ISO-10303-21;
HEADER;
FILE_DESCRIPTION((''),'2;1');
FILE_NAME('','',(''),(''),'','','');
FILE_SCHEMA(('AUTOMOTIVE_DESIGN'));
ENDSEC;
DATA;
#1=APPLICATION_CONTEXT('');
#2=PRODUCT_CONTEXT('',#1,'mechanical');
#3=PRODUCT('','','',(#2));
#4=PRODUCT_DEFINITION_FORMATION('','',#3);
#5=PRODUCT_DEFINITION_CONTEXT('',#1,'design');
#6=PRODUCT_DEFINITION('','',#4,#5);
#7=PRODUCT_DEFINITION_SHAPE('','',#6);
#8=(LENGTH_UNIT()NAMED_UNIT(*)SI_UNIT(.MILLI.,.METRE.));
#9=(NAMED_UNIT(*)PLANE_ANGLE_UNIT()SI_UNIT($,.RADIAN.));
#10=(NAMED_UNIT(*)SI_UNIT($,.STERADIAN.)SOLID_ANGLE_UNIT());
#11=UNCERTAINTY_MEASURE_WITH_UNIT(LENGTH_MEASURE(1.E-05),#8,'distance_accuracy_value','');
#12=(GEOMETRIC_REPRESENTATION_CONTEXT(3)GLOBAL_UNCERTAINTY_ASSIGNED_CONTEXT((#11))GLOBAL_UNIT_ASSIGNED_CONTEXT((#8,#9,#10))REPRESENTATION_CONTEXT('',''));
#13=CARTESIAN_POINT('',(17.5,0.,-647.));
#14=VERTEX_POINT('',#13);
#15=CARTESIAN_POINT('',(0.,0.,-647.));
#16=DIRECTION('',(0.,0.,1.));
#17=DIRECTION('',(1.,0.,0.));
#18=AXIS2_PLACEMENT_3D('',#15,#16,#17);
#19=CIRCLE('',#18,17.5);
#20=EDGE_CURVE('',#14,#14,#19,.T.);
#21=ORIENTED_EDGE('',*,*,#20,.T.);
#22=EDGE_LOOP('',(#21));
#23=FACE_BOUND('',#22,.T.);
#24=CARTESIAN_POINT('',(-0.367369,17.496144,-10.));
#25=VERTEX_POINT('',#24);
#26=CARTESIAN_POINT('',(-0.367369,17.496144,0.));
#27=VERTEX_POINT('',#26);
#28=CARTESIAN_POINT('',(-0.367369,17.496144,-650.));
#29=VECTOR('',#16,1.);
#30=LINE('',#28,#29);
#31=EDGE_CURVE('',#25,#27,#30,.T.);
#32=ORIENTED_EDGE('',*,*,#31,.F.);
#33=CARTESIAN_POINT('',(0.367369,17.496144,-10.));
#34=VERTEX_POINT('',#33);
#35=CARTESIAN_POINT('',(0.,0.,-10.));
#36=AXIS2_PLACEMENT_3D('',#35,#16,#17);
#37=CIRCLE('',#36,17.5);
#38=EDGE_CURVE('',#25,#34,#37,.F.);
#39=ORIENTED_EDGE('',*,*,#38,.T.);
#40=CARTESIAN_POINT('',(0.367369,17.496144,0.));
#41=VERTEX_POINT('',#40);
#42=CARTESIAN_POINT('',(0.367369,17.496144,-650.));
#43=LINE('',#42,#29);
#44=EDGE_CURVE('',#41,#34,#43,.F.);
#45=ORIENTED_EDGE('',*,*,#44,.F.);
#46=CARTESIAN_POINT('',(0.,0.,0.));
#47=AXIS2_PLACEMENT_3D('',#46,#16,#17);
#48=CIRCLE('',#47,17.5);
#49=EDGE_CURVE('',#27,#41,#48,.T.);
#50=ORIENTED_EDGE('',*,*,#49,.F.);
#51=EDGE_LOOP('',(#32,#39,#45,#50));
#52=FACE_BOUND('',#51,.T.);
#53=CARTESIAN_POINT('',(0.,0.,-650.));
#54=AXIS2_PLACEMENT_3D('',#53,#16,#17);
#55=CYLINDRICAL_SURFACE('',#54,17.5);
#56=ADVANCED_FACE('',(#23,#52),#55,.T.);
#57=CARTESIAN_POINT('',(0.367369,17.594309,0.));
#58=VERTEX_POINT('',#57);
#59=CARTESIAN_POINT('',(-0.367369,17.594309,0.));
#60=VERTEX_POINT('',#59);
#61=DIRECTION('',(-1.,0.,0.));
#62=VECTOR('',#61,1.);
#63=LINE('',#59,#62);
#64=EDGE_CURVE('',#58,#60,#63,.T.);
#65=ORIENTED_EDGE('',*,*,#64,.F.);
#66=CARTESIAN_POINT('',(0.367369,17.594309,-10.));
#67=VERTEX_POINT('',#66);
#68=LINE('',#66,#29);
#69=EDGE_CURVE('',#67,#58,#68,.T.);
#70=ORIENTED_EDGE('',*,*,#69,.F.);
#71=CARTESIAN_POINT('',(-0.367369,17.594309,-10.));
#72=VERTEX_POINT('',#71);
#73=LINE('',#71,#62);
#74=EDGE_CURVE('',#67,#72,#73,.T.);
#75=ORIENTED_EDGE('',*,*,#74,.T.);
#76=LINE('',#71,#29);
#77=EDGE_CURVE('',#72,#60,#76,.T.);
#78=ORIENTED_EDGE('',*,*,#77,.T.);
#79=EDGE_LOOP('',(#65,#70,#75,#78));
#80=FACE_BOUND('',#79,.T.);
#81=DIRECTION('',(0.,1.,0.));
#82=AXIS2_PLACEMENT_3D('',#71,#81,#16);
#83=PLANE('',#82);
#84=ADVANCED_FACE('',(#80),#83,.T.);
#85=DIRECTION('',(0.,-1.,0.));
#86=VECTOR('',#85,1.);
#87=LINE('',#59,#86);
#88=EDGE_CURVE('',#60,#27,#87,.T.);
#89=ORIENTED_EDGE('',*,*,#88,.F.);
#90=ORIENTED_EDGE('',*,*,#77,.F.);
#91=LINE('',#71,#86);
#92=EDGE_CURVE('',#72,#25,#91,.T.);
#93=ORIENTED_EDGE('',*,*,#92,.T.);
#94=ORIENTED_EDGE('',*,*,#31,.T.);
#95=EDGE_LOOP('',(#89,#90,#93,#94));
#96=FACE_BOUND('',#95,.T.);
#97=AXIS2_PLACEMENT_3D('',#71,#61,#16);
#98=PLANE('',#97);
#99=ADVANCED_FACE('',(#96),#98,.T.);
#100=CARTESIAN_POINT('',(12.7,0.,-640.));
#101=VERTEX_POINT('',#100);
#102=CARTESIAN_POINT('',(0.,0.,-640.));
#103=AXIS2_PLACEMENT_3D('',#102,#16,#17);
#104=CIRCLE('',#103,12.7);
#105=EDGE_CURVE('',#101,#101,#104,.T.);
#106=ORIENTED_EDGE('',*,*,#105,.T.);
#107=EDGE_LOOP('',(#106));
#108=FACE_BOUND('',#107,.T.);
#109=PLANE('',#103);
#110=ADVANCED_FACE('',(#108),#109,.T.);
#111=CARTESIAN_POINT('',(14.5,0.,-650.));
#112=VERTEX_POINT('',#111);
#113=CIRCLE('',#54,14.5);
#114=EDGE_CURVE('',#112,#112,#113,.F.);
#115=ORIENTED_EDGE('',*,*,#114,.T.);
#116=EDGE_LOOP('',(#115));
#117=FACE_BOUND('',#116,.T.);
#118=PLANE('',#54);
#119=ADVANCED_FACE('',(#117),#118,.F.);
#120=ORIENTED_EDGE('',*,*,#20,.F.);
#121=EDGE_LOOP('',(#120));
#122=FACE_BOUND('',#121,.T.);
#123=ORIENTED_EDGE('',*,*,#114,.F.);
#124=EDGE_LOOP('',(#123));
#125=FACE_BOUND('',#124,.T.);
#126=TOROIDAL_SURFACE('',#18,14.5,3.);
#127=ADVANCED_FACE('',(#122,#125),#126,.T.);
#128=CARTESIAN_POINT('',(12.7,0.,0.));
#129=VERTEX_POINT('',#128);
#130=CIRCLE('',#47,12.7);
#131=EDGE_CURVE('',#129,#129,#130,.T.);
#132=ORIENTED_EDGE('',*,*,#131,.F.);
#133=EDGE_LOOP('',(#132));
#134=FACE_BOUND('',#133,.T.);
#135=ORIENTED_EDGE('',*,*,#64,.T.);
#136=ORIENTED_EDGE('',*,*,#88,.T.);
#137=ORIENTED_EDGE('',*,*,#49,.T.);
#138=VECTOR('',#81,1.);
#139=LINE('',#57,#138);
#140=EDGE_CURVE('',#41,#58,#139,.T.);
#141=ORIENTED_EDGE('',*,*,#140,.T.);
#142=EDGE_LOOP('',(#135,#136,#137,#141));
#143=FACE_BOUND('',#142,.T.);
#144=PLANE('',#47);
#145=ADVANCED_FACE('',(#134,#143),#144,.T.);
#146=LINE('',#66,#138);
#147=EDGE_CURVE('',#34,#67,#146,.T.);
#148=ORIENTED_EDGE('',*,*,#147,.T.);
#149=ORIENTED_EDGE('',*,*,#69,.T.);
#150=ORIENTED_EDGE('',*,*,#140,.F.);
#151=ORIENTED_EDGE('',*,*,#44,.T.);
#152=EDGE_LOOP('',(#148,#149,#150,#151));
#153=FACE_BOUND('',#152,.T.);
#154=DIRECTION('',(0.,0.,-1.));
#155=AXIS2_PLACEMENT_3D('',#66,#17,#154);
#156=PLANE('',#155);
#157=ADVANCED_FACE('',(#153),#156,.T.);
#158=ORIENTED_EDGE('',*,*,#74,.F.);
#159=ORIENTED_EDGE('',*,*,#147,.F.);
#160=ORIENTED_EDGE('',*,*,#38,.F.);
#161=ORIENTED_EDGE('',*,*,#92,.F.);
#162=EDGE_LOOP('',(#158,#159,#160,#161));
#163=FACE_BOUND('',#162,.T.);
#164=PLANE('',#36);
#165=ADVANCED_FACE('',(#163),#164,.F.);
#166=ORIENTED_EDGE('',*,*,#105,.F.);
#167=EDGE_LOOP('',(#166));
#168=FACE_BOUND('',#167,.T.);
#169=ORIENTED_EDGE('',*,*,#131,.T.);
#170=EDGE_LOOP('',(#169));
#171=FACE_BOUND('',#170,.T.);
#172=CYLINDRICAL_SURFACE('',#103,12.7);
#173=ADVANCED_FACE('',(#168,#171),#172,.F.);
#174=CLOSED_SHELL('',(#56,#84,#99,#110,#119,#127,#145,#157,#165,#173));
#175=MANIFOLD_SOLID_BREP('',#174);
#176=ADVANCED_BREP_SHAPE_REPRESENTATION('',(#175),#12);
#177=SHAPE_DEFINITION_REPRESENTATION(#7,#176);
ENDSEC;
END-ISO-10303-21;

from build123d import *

# Parameters (mm, degrees)
CROQUIS2_R              = 17.5
SALIENTE_EXTRUIR1_DEPTH = 650
CROQUIS3_R              = 12.7
CORTAR_EXTRUIR1_DEPTH   = 640
REDONDEO1_R             = 3
CROQUIS4_W              = 0.7347375
CROQUIS4_H              = 0.188618068
SALIENTE_EXTRUIR2_DEPTH = 10


with BuildPart() as part:
    # Croquis2 → Saliente-Extruir1 (new body)
    with BuildSketch(Plane.XY):
        Circle(CROQUIS2_R)
    extrude(amount=-SALIENTE_EXTRUIR1_DEPTH)

    # Croquis3 → Cortar-Extruir1 (cut)
    with BuildSketch(Plane.XY):
        Circle(CROQUIS3_R)
    extrude(amount=-CORTAR_EXTRUIR1_DEPTH, mode=Mode.SUBTRACT)

    # Redondeo1
    redondeo1_edges = [part.edges().sort_by_distance(p)[0] for p in [
        (-17.5, 0, -650),
    ]]
    fillet(redondeo1_edges, radius=REDONDEO1_R)

    # Croquis4 → Saliente-Extruir2 (add)
    with BuildSketch(Plane.XY):
        with Locations((0, 17.5)):
            Rectangle(CROQUIS4_W, CROQUIS4_H)
    extrude(amount=-SALIENTE_EXTRUIR2_DEPTH)


solid = part.part
